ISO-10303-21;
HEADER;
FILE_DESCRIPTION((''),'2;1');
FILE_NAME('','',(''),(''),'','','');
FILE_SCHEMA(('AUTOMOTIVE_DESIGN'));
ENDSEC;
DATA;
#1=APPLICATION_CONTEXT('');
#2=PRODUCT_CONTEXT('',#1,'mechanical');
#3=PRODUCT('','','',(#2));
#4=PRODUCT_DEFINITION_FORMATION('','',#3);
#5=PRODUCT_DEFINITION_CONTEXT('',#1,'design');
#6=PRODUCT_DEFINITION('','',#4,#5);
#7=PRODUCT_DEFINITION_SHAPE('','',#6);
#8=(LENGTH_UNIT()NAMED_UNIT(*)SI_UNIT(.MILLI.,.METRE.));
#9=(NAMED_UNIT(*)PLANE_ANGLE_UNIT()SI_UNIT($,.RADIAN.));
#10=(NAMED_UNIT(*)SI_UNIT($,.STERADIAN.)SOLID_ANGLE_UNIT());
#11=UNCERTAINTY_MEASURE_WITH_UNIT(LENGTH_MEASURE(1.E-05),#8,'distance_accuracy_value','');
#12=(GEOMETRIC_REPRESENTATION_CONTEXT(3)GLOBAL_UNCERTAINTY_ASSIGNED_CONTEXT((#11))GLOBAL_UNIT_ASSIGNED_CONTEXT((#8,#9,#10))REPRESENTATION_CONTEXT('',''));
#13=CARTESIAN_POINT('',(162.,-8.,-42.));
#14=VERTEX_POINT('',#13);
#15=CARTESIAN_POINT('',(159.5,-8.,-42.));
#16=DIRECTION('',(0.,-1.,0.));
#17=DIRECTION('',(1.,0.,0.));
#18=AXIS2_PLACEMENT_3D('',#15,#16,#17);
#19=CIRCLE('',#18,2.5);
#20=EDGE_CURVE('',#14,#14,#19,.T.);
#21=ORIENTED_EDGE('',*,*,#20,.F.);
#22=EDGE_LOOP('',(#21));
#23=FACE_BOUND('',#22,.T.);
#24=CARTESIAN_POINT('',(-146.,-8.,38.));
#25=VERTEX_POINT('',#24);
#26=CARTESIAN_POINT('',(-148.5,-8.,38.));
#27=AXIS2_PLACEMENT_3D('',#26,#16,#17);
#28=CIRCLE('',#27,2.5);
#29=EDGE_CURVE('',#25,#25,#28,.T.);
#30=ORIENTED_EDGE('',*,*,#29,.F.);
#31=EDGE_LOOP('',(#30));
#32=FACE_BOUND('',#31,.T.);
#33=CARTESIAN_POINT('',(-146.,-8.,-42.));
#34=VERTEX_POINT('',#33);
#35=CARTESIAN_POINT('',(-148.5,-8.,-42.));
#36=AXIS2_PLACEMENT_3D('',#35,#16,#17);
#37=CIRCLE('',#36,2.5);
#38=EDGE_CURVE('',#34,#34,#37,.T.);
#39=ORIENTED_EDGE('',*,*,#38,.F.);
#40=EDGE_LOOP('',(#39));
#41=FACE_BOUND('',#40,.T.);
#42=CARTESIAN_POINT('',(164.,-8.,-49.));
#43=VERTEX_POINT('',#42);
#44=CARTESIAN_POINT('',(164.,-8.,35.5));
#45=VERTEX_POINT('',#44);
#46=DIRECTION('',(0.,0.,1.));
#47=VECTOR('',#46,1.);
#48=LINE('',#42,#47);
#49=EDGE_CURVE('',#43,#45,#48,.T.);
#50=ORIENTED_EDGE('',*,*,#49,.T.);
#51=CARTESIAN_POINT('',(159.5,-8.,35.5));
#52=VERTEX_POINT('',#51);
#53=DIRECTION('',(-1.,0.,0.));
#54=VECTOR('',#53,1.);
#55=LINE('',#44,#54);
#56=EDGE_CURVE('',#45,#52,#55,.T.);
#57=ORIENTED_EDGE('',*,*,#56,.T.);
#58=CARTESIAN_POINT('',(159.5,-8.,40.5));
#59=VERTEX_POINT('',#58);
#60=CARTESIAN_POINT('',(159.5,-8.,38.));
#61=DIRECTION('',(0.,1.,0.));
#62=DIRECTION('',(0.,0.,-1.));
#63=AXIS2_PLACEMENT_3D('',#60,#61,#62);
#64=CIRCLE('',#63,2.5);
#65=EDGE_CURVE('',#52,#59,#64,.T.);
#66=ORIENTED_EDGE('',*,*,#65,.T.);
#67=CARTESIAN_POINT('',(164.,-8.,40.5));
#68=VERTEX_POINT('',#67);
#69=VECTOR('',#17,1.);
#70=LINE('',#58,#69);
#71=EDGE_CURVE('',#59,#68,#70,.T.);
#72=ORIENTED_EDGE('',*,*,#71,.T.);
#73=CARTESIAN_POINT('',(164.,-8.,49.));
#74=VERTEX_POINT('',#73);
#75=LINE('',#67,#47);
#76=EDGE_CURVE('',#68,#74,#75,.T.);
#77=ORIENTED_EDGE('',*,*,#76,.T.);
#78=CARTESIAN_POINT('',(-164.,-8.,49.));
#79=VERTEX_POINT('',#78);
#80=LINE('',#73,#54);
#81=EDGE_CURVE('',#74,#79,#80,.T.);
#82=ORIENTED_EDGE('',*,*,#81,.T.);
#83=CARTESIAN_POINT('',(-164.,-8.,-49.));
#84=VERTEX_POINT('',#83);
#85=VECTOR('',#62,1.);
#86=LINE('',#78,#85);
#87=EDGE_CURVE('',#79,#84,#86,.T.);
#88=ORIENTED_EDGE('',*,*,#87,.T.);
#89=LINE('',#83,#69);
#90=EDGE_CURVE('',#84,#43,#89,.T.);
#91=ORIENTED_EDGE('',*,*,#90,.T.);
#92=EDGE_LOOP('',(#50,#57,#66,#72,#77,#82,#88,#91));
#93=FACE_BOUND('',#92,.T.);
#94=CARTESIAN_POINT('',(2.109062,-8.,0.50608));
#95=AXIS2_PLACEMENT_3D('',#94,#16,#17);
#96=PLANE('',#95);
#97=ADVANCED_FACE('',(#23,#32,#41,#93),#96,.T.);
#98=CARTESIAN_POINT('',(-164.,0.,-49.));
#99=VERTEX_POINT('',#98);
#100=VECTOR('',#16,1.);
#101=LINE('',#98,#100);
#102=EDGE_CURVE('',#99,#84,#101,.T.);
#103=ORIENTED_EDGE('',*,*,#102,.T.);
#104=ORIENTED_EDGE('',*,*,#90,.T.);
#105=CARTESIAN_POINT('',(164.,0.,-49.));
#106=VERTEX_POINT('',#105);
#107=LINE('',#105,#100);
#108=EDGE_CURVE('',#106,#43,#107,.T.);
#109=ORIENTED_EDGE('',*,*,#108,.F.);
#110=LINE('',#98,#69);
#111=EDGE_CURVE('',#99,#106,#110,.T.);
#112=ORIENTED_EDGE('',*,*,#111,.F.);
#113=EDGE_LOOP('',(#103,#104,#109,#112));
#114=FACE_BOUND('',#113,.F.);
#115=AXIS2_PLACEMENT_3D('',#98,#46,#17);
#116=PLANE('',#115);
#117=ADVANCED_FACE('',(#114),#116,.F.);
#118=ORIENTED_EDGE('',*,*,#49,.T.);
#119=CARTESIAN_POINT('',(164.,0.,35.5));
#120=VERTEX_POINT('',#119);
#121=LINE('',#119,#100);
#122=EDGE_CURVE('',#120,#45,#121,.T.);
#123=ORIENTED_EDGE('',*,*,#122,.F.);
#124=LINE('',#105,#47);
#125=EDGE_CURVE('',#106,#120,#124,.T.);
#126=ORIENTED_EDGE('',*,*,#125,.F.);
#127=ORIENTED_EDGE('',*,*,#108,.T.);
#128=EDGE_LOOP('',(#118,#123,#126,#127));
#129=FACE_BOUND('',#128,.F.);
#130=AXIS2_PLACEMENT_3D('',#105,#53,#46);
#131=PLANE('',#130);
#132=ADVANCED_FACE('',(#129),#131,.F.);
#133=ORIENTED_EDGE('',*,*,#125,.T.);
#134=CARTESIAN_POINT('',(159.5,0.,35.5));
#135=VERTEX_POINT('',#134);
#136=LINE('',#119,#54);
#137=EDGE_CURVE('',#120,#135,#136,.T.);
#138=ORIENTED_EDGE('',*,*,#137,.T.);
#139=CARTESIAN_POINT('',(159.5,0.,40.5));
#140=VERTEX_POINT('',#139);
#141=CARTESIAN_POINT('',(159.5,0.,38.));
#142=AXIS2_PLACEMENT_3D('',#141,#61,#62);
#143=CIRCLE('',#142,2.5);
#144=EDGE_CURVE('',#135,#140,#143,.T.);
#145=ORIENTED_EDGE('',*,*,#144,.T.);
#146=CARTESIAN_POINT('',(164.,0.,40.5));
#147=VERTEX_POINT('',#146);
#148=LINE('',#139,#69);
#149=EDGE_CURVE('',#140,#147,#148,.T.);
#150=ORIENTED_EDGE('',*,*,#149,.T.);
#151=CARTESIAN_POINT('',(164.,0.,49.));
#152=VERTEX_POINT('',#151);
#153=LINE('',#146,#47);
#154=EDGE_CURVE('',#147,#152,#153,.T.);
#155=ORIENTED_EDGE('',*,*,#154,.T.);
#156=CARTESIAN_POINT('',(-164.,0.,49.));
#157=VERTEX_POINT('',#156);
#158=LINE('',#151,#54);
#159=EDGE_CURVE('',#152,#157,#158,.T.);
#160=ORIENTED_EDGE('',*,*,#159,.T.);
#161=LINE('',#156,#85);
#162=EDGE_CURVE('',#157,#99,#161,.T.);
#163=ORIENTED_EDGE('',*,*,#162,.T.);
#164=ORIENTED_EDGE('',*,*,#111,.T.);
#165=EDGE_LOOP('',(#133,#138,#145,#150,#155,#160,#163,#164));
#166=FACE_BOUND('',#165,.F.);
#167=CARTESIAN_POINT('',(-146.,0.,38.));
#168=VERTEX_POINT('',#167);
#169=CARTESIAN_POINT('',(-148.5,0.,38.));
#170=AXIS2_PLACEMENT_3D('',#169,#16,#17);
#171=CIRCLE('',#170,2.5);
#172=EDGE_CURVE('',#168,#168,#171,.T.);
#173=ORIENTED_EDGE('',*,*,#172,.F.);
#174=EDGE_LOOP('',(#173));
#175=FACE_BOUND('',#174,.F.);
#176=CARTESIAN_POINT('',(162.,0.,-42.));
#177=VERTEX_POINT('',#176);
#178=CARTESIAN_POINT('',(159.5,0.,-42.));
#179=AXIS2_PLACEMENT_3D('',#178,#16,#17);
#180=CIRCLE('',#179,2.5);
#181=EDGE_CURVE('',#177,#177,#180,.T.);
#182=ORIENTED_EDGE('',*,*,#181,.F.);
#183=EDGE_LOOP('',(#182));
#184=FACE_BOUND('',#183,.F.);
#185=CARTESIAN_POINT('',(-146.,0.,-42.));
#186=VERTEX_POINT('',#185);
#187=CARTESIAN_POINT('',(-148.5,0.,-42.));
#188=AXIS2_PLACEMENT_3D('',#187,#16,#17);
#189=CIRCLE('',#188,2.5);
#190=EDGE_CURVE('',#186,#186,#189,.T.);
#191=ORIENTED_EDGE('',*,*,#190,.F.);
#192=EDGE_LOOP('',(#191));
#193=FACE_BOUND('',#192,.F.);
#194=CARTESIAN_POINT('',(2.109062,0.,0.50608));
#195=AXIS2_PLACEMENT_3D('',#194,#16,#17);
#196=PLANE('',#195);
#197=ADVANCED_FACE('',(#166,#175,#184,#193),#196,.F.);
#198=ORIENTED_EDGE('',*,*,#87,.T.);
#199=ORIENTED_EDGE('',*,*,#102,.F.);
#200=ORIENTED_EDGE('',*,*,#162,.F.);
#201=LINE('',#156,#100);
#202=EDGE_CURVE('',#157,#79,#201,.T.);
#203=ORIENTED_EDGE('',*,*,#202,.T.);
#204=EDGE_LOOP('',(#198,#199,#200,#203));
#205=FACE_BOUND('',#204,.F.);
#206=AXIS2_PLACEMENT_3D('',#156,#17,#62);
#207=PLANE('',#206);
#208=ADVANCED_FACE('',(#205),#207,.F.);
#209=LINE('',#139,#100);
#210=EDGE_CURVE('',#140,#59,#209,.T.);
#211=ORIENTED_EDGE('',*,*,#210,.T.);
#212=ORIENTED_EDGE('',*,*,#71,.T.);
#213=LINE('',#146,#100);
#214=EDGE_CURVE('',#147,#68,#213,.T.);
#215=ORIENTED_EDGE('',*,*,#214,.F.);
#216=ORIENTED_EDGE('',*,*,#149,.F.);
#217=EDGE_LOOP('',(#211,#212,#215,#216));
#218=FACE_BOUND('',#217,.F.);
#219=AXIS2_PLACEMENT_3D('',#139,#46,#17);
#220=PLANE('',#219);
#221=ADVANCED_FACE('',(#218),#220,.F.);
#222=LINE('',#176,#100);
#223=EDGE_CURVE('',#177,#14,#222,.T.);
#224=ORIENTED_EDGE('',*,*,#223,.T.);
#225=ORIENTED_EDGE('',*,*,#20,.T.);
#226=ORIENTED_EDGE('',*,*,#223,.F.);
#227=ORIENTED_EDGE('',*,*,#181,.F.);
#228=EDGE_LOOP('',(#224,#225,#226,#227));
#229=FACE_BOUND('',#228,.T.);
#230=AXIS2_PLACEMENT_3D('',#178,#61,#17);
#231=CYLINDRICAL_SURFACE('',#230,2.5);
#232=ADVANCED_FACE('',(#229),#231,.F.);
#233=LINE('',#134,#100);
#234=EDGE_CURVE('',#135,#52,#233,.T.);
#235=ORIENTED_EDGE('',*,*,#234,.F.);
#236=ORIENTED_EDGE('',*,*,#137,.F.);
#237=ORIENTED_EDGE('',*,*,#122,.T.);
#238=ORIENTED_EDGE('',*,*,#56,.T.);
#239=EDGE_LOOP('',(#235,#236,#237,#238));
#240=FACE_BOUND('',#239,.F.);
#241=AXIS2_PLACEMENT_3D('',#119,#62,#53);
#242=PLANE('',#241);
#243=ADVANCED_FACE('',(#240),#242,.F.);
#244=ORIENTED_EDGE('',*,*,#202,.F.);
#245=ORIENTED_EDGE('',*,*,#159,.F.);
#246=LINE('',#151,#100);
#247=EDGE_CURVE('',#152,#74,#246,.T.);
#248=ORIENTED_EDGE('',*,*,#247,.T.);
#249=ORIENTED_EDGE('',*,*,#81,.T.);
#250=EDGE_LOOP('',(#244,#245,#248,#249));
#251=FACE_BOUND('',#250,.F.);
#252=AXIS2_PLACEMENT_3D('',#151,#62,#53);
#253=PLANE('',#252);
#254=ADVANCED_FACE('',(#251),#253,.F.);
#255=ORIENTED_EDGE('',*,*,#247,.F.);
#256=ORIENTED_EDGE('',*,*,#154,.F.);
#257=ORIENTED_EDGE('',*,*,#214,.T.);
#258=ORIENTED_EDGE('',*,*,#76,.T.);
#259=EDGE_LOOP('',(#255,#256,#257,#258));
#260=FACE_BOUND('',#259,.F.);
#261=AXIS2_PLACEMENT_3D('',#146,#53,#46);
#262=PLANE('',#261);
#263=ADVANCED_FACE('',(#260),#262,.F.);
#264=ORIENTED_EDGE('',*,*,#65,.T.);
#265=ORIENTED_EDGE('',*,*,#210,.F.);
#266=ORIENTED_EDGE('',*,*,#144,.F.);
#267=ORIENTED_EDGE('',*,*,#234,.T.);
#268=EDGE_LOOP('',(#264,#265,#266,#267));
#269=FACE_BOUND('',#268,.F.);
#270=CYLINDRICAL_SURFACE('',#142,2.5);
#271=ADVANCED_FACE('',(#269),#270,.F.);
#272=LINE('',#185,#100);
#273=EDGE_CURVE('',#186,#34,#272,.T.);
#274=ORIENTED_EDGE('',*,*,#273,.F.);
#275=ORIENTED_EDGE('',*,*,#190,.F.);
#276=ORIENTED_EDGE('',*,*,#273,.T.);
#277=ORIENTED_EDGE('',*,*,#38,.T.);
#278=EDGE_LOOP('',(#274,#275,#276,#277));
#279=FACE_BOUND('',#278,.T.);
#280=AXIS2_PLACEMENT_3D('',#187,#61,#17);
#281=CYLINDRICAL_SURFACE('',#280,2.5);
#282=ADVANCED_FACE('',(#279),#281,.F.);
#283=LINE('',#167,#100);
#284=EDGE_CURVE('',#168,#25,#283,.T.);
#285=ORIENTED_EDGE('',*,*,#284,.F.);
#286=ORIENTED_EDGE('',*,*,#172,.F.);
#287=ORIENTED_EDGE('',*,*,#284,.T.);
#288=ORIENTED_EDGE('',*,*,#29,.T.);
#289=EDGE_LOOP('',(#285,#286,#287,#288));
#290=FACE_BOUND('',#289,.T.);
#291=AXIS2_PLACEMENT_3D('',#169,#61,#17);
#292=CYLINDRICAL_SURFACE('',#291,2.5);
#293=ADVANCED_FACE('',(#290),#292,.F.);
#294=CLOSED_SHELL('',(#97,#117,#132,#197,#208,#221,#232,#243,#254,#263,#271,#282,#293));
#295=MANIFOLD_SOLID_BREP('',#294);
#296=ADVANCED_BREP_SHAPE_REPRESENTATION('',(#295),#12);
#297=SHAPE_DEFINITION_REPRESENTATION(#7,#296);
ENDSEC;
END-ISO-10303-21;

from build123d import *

# Parameters (mm, degrees)
F1_R     = 2.5
F2_DEPTH = 8


with BuildPart() as f2:
    # F1 (on Front) → F2 (new body)
    with BuildSketch(Plane.XZ):
        with BuildLine():
            Line((164, 49), (-164, 49))
            Line((-164, 49), (-164, -49))
            Line((-164, -49), (164, -49))
            Line((164, -49), (164, 35.5))
            Line((164, 35.5), (159.5, 35.5))
            ThreePointArc((159.5, 35.5), (157, 38), (159.5, 40.5))
            Line((159.5, 40.5), (164, 40.5))
            Line((164, 40.5), (164, 49))
        make_face()
        with Locations((-148.5, -42)):
            Circle(F1_R, mode=Mode.SUBTRACT)
        with Locations((159.5, -42)):
            Circle(F1_R, mode=Mode.SUBTRACT)
        with Locations((-148.5, 38)):
            Circle(F1_R, mode=Mode.SUBTRACT)
    extrude(amount=F2_DEPTH)


solid = f2.part
